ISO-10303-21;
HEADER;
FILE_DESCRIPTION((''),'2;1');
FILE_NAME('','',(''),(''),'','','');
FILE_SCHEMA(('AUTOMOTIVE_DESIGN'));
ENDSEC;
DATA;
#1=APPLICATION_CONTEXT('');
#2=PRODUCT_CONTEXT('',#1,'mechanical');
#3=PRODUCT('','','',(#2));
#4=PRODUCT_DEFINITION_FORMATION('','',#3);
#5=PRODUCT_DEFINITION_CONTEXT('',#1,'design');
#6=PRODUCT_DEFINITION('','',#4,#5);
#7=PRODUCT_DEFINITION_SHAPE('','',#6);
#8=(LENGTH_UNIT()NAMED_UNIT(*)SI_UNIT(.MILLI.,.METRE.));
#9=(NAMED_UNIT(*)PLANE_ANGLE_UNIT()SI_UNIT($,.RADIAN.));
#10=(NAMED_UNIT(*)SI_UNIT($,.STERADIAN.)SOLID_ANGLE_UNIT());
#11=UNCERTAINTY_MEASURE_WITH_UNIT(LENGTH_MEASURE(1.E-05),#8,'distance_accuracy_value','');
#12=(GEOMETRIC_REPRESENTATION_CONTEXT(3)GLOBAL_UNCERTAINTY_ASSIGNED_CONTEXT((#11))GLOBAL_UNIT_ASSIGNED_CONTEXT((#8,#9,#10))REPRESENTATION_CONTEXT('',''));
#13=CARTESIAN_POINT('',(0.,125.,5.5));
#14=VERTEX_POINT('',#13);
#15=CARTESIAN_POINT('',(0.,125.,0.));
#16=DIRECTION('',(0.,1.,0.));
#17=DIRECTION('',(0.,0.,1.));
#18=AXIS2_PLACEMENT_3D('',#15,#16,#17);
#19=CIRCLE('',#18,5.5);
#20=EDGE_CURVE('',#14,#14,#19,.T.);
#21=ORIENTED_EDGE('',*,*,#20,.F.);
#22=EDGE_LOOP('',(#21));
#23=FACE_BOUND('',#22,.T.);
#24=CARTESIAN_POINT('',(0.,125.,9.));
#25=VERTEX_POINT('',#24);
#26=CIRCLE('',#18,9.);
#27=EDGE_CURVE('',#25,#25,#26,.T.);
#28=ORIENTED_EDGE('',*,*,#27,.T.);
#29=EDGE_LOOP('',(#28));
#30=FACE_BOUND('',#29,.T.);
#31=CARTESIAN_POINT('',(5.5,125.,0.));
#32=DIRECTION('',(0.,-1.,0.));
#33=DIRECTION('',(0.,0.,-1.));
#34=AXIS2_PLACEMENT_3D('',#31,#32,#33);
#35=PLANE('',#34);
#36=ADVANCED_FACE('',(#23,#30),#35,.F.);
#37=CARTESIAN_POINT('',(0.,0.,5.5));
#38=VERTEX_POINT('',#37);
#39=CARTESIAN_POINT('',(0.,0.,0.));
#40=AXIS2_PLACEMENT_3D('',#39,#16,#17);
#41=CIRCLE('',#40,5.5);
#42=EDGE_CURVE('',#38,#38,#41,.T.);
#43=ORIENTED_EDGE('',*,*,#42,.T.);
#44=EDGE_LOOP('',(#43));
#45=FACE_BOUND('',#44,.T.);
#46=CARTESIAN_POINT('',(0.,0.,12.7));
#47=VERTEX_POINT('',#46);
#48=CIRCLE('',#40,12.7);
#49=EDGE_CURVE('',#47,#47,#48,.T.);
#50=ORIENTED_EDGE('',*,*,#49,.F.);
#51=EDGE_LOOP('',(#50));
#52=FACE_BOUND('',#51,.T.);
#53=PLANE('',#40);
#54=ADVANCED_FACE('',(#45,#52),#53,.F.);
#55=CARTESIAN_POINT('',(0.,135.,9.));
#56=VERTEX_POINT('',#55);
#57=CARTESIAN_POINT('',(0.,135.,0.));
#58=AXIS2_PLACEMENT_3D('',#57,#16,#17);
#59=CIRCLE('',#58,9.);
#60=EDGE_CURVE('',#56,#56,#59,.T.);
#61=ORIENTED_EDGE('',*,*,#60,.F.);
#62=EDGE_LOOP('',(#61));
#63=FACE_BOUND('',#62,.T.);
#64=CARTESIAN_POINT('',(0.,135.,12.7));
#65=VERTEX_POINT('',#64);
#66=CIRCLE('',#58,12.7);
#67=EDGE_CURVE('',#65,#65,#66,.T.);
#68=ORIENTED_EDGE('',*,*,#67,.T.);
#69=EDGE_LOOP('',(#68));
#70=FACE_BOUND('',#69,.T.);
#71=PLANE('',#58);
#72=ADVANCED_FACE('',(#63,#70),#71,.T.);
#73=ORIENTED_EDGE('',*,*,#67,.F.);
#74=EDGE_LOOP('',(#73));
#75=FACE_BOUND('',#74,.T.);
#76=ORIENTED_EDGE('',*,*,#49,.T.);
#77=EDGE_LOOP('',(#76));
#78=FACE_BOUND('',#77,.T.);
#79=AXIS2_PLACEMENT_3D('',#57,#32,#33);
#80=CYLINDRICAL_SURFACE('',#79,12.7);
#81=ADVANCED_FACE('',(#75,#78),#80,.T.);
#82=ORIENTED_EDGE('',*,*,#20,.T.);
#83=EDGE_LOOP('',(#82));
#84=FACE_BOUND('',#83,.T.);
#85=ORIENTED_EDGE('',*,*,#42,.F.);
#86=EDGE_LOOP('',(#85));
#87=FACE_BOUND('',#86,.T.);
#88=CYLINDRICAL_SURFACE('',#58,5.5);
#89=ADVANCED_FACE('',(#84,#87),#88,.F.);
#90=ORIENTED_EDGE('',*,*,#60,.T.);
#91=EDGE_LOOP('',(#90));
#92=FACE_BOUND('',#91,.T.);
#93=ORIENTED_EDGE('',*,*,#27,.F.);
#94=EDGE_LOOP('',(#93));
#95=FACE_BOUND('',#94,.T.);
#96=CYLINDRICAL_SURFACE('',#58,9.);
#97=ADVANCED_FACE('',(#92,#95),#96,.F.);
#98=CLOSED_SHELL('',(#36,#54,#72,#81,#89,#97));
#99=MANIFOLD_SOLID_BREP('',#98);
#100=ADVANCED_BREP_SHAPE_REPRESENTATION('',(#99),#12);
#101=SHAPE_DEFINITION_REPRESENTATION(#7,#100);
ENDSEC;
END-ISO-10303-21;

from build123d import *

# Parameters (mm, degrees)
SKETCH1_R                       = 12.7
BOSS_EXTRUDE1_DEPTH             = 135
CBORE_FOR_M10_SHCS1_D           = 11
CBORE_FOR_M10_SHCS1_CBORE_D     = 18
CBORE_FOR_M10_SHCS1_CBORE_DEPTH = 10


with BuildPart() as part:
    # Sketch1 → Boss-Extrude1 (new body)
    with BuildSketch(Plane(origin=(0, 0, 0), x_dir=(1, 0, 0), z_dir=(0, 1, 0))):
        with Locations(Location((0, 0, 0), (0, 0, 270))):
            Circle(SKETCH1_R)
    extrude(amount=BOSS_EXTRUDE1_DEPTH)

    # CBORE for M10 SHCS1 (through all)
    with Locations(Plane(origin=(0, 135, 0), x_dir=(1, 0, 0), z_dir=(0, 1, 0))):
        with Locations((0, 0)):
            CounterBoreHole(CBORE_FOR_M10_SHCS1_D / 2, CBORE_FOR_M10_SHCS1_CBORE_D / 2, CBORE_FOR_M10_SHCS1_CBORE_DEPTH)


solid = part.part
